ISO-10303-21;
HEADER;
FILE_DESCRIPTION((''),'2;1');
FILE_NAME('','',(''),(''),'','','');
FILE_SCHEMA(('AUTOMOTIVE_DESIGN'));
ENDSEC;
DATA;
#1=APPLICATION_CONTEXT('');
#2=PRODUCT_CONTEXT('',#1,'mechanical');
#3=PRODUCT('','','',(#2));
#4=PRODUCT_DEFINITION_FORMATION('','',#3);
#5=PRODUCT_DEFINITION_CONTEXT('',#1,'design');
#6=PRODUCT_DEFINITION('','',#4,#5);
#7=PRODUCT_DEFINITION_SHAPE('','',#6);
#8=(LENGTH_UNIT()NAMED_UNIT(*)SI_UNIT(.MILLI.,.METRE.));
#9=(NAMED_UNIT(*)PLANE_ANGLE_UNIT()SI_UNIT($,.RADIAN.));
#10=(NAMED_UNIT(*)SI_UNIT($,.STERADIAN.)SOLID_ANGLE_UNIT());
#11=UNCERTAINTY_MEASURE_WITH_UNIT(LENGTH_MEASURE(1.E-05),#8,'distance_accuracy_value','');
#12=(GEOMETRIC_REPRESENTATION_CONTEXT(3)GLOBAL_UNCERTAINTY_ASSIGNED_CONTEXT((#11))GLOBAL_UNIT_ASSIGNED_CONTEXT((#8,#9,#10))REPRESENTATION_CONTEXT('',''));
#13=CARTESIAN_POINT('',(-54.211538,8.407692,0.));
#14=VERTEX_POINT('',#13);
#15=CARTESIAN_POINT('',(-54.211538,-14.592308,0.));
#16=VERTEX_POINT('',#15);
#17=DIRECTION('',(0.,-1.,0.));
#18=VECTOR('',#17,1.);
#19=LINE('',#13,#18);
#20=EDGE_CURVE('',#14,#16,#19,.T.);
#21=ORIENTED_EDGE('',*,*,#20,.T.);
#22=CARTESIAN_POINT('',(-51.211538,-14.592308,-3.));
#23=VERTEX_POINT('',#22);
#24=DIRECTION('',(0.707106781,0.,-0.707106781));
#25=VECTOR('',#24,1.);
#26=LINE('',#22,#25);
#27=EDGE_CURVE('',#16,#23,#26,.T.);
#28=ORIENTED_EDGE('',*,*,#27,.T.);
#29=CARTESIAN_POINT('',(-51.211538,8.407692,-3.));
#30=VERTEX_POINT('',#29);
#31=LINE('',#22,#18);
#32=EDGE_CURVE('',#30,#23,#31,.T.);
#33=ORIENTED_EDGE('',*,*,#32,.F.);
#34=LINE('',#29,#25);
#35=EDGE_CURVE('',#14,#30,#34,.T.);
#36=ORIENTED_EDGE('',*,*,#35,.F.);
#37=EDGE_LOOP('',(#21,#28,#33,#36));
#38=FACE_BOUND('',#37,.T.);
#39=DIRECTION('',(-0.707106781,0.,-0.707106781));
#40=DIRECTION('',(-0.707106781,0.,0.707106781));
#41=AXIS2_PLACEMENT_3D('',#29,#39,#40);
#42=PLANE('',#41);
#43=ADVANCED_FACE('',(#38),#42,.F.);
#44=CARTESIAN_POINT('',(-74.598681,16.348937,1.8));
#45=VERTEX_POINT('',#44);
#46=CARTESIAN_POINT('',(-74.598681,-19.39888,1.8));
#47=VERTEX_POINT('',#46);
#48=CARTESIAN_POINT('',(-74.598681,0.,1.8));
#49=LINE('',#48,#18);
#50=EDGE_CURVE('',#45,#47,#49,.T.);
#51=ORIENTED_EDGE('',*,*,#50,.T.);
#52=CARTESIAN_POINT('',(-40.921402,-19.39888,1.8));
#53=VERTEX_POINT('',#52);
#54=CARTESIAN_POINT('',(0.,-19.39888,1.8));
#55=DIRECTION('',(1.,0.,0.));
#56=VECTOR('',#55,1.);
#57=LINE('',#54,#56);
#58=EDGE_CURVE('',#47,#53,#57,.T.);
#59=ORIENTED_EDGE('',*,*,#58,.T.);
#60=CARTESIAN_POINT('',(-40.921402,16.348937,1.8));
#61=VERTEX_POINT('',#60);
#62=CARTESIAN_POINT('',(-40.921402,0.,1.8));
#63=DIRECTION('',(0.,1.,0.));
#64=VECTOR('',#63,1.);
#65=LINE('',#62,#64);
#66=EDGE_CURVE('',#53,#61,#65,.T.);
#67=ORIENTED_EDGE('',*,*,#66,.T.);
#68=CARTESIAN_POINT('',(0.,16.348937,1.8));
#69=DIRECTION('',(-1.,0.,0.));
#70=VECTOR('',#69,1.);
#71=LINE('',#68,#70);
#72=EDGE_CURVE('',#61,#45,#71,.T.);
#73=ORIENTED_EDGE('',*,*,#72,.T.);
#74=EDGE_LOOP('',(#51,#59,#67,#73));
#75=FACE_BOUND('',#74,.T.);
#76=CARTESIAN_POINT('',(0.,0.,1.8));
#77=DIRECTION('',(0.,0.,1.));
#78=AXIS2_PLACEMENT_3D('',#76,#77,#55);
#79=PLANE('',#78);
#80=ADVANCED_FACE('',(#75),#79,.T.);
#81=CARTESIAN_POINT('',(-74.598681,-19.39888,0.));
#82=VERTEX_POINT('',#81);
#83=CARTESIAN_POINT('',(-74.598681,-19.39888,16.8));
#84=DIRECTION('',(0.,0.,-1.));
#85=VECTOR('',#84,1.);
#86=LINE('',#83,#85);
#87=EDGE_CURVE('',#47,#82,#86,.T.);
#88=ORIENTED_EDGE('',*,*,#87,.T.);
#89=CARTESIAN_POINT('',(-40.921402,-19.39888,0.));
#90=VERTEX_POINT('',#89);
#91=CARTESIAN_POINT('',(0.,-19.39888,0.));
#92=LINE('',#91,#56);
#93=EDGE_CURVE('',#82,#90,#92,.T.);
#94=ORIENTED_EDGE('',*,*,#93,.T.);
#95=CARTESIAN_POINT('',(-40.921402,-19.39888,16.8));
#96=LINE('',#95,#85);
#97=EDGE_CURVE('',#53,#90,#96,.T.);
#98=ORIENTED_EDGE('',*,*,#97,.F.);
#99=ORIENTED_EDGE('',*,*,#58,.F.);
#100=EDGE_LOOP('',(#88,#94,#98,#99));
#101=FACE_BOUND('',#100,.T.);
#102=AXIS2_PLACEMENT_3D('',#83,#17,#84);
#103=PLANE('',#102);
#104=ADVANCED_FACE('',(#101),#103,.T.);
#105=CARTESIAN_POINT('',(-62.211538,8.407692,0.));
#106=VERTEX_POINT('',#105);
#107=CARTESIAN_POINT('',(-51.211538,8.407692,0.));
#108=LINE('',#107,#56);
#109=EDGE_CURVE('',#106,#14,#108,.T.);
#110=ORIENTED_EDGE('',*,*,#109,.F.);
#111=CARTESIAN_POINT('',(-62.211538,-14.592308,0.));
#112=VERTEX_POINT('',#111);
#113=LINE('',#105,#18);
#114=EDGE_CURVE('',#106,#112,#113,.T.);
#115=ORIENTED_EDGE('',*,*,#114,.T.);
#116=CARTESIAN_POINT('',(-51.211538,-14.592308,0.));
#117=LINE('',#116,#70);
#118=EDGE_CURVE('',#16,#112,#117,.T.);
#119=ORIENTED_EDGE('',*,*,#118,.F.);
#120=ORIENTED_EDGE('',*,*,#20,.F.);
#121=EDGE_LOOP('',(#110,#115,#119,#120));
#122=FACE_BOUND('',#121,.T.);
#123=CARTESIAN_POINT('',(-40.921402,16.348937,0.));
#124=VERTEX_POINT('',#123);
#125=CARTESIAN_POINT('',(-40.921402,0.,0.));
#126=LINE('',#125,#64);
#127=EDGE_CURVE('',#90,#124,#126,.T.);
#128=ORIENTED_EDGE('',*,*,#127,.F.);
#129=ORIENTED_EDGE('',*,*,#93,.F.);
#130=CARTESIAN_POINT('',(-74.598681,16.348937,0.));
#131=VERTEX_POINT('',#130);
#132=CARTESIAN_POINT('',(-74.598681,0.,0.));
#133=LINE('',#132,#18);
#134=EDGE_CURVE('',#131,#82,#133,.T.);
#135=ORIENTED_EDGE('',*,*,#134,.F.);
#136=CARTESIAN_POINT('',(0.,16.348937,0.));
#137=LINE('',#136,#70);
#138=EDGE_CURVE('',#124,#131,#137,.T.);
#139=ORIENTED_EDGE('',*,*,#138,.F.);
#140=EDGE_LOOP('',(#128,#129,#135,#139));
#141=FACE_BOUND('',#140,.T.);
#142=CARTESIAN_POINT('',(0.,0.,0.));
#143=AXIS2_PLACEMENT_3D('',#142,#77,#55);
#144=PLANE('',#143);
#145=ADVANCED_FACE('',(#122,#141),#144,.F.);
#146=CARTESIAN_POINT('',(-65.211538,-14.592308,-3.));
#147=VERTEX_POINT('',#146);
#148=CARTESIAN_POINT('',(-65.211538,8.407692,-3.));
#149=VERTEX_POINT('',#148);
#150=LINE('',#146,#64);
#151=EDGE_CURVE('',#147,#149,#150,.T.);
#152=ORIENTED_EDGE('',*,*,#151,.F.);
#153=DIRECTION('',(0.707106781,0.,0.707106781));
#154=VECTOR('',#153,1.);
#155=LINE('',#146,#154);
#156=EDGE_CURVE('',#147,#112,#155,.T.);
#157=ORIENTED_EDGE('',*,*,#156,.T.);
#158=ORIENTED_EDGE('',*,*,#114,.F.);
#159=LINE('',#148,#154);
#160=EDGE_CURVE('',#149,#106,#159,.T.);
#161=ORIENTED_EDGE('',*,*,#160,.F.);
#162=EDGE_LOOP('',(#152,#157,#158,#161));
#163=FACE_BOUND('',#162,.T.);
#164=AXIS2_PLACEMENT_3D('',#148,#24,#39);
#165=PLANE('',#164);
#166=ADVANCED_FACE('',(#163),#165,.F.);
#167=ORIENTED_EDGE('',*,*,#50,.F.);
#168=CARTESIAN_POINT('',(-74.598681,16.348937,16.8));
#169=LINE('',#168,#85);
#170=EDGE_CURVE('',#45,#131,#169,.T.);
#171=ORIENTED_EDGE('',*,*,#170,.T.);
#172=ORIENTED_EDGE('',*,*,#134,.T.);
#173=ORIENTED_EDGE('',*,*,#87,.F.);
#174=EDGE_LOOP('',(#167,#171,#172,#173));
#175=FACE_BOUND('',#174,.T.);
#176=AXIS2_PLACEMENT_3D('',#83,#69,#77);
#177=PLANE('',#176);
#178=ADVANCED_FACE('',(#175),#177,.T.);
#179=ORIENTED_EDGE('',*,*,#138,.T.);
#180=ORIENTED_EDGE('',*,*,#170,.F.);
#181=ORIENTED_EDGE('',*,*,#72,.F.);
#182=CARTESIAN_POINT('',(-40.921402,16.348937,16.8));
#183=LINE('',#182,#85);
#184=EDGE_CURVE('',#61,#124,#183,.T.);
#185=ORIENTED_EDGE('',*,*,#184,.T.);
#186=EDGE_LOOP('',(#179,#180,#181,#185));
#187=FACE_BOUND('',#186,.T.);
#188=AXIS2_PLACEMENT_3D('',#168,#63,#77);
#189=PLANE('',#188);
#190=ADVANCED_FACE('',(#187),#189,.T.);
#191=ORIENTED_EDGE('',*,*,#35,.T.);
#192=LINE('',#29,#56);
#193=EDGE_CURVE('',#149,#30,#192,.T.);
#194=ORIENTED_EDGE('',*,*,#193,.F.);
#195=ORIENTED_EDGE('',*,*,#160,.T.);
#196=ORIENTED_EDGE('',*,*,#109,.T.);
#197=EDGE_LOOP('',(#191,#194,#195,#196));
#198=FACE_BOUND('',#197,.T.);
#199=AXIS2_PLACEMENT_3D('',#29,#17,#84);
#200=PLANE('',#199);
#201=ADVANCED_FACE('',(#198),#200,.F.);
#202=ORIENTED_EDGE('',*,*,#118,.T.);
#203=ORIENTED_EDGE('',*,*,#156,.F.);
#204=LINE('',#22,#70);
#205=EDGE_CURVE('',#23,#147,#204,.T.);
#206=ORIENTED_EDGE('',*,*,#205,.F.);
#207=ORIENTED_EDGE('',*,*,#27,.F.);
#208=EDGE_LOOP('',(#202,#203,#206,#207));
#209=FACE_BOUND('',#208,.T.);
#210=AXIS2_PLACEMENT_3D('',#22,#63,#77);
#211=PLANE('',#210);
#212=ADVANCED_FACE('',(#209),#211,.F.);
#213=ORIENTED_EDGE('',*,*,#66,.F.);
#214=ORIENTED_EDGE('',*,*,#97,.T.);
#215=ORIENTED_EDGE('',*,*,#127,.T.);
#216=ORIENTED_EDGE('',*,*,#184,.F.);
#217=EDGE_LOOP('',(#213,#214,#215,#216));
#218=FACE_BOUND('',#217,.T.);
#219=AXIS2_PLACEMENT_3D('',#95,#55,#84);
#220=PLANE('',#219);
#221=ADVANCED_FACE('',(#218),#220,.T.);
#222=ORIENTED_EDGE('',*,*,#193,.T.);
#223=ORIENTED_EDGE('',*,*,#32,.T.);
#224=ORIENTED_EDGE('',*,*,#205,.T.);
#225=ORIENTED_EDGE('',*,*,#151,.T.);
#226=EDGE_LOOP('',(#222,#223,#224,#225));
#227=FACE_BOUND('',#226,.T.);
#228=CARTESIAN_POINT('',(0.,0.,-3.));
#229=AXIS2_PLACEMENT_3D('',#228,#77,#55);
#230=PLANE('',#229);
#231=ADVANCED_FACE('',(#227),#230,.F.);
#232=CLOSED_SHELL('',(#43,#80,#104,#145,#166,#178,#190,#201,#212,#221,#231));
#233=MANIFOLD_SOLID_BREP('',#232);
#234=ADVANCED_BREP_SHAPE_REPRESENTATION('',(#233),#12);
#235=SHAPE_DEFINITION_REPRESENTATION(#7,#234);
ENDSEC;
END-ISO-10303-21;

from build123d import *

# Parameters (mm, degrees)
CROQUIS1_W              = 65.5
CROQUIS1_H              = 74
SALIENTE_EXTRUIR1_DEPTH = 1.8
CROQUIS2_W              = 5
CROQUIS2_H              = 74
SALIENTE_EXTRUIR2_DEPTH = 15
CROQUIS3_W              = 3.4
CROQUIS3_H              = 2.1
CORTAR_EXTRUIR1_DEPTH   = 74
SALIENTE_EXTRUIR4_DEPTH = 1.8
CROQUIS7_W              = 14
CROQUIS7_H              = 23
SALIENTE_EXTRUIR5_DEPTH = 3
CORTAR_EXTRUIR5_DEPTH   = 23
CROQUIS10_R             = 1
CORTAR_EXTRUIR6_DEPTH   = 8
CORTAR_EXTRUIR7_START   = -8
CROQUIS11_R             = 1
CORTAR_EXTRUIR7_DEPTH   = 8
CORTAR_EXTRUIR8_START   = -19.8
CROQUIS12_W             = 72.040317055
CROQUIS12_H             = 80.937811448
CROQUIS12_W_2           = 33.677278507
CROQUIS12_H_2           = 35.747817065
CORTAR_EXTRUIR8_DEPTH   = 16.8


with BuildPart() as part:
    # Croquis1 → Saliente-Extruir1 (new body)
    with BuildSketch(Plane.XY):
        with Locations((-58.211538462, -2.192307692)):
            Rectangle(CROQUIS1_W, CROQUIS1_H)
    extrude(amount=SALIENTE_EXTRUIR1_DEPTH)

    # Croquis2 → Saliente-Extruir2 (add)
    with BuildSketch(Plane.XY.offset(1.8)):
        with Locations((-88.461538462, -2.192307692)):
            Rectangle(CROQUIS2_W, CROQUIS2_H)
        with Locations((-27.961538462, -2.192307692)):
            Rectangle(CROQUIS2_W, CROQUIS2_H)
    extrude(amount=SALIENTE_EXTRUIR2_DEPTH)

    # Croquis3 → Cortar-Extruir1 (cut)
    with BuildSketch(Plane.XZ.offset(39.192307692)):
        Polygon((-88.461538462, 16.8), (-89.111538462, 16.8), (-89.111538462, 15.9), (-87.811538462, 15.9), (-87.811538462, 16.8), align=None)
        with Locations((-87.661538462, 13.95)):
            Rectangle(CROQUIS3_W, CROQUIS3_H)
        with Locations((-28.761538462, 13.95)):
            Rectangle(CROQUIS3_W, CROQUIS3_H)
        Polygon((-28.611538462, 16.8), (-27.961538462, 16.8), (-27.311538462, 16.8), (-27.311538462, 15.9), (-28.611538462, 15.9), align=None)
    extrude(amount=-CORTAR_EXTRUIR1_DEPTH, mode=Mode.SUBTRACT)

    # Croquis6 → Saliente-Extruir4 (add)
    with BuildSketch(Plane.XZ.offset(39.192307692)):
        Polygon((-85.961538462, 8.7), (-80.961538462, 8.7), (-80.961538462, 1.8), (-45.461538462, 1.8), (-45.461538462, 5.7), (-30.461538462, 5.7), (-25.461538462, 5.7), (-25.461538462, 0), (-90.961538462, 0), (-90.961538462, 8.7), align=None)
    extrude(amount=SALIENTE_EXTRUIR4_DEPTH)

    # Croquis7 → Saliente-Extruir5 (add)
    with BuildSketch(Plane(origin=(0, 0, 0), x_dir=(-1, 0, 0), z_dir=(0, 0, -1))):
        with Locations((58.211538462, -3.092307692)):
            Rectangle(CROQUIS7_W, CROQUIS7_H)
    extrude(amount=SALIENTE_EXTRUIR5_DEPTH)

    # Croquis9 → Cortar-Extruir5 (cut)
    with BuildSketch(Plane.XZ.offset(14.592307692)):
        Polygon((-51.211538462, -3), (-54.211538462, 0), (-51.211538462, 0), align=None)
        Polygon((-65.211538462, -3), (-62.211538462, 0), (-65.211538462, 0), align=None)
    extrude(amount=-CORTAR_EXTRUIR5_DEPTH, mode=Mode.SUBTRACT)

    # Croquis10 → Cortar-Extruir6 (cut)
    with BuildSketch(Plane.XZ.offset(39.192307692)):
        with Locations(Location((-87.661538462, 10.9, 0), (0, 0, 270))):
            Circle(CROQUIS10_R)
        with Locations(Location((-28.761538462, 10.9, 0), (0, 0, 270))):
            Circle(CROQUIS10_R)
    extrude(amount=-CORTAR_EXTRUIR6_DEPTH, mode=Mode.SUBTRACT)

    # Croquis11 → Cortar-Extruir7 (cut)
    with BuildSketch(Plane(origin=(0, 34.807692308, 0), x_dir=(1, 0, 0), z_dir=(0, 1, 0)).offset(CORTAR_EXTRUIR7_START)):
        with Locations(Location((-28.761538462, -10.9, 0), (0, 0, 90))):
            Circle(CROQUIS11_R)
        with Locations(Location((-87.661538462, -10.9, 0), (0, 0, 90))):
            Circle(CROQUIS11_R)
    extrude(amount=CORTAR_EXTRUIR7_DEPTH, mode=Mode.SUBTRACT)

    # Croquis12 → Cortar-Extruir8 (cut)
    with BuildSketch(Plane(origin=(0, 0, -3), x_dir=(-1, 0, 0), z_dir=(0, 0, -1)).offset(CORTAR_EXTRUIR8_START)):
        with Locations((57.367684443, -4.300620435)):
            Rectangle(CROQUIS12_W, CROQUIS12_H)
        with Locations((57.760041523, -1.524971817)):
            Rectangle(CROQUIS12_W_2, CROQUIS12_H_2, mode=Mode.SUBTRACT)
    extrude(amount=CORTAR_EXTRUIR8_DEPTH, mode=Mode.SUBTRACT)


solid = part.part
